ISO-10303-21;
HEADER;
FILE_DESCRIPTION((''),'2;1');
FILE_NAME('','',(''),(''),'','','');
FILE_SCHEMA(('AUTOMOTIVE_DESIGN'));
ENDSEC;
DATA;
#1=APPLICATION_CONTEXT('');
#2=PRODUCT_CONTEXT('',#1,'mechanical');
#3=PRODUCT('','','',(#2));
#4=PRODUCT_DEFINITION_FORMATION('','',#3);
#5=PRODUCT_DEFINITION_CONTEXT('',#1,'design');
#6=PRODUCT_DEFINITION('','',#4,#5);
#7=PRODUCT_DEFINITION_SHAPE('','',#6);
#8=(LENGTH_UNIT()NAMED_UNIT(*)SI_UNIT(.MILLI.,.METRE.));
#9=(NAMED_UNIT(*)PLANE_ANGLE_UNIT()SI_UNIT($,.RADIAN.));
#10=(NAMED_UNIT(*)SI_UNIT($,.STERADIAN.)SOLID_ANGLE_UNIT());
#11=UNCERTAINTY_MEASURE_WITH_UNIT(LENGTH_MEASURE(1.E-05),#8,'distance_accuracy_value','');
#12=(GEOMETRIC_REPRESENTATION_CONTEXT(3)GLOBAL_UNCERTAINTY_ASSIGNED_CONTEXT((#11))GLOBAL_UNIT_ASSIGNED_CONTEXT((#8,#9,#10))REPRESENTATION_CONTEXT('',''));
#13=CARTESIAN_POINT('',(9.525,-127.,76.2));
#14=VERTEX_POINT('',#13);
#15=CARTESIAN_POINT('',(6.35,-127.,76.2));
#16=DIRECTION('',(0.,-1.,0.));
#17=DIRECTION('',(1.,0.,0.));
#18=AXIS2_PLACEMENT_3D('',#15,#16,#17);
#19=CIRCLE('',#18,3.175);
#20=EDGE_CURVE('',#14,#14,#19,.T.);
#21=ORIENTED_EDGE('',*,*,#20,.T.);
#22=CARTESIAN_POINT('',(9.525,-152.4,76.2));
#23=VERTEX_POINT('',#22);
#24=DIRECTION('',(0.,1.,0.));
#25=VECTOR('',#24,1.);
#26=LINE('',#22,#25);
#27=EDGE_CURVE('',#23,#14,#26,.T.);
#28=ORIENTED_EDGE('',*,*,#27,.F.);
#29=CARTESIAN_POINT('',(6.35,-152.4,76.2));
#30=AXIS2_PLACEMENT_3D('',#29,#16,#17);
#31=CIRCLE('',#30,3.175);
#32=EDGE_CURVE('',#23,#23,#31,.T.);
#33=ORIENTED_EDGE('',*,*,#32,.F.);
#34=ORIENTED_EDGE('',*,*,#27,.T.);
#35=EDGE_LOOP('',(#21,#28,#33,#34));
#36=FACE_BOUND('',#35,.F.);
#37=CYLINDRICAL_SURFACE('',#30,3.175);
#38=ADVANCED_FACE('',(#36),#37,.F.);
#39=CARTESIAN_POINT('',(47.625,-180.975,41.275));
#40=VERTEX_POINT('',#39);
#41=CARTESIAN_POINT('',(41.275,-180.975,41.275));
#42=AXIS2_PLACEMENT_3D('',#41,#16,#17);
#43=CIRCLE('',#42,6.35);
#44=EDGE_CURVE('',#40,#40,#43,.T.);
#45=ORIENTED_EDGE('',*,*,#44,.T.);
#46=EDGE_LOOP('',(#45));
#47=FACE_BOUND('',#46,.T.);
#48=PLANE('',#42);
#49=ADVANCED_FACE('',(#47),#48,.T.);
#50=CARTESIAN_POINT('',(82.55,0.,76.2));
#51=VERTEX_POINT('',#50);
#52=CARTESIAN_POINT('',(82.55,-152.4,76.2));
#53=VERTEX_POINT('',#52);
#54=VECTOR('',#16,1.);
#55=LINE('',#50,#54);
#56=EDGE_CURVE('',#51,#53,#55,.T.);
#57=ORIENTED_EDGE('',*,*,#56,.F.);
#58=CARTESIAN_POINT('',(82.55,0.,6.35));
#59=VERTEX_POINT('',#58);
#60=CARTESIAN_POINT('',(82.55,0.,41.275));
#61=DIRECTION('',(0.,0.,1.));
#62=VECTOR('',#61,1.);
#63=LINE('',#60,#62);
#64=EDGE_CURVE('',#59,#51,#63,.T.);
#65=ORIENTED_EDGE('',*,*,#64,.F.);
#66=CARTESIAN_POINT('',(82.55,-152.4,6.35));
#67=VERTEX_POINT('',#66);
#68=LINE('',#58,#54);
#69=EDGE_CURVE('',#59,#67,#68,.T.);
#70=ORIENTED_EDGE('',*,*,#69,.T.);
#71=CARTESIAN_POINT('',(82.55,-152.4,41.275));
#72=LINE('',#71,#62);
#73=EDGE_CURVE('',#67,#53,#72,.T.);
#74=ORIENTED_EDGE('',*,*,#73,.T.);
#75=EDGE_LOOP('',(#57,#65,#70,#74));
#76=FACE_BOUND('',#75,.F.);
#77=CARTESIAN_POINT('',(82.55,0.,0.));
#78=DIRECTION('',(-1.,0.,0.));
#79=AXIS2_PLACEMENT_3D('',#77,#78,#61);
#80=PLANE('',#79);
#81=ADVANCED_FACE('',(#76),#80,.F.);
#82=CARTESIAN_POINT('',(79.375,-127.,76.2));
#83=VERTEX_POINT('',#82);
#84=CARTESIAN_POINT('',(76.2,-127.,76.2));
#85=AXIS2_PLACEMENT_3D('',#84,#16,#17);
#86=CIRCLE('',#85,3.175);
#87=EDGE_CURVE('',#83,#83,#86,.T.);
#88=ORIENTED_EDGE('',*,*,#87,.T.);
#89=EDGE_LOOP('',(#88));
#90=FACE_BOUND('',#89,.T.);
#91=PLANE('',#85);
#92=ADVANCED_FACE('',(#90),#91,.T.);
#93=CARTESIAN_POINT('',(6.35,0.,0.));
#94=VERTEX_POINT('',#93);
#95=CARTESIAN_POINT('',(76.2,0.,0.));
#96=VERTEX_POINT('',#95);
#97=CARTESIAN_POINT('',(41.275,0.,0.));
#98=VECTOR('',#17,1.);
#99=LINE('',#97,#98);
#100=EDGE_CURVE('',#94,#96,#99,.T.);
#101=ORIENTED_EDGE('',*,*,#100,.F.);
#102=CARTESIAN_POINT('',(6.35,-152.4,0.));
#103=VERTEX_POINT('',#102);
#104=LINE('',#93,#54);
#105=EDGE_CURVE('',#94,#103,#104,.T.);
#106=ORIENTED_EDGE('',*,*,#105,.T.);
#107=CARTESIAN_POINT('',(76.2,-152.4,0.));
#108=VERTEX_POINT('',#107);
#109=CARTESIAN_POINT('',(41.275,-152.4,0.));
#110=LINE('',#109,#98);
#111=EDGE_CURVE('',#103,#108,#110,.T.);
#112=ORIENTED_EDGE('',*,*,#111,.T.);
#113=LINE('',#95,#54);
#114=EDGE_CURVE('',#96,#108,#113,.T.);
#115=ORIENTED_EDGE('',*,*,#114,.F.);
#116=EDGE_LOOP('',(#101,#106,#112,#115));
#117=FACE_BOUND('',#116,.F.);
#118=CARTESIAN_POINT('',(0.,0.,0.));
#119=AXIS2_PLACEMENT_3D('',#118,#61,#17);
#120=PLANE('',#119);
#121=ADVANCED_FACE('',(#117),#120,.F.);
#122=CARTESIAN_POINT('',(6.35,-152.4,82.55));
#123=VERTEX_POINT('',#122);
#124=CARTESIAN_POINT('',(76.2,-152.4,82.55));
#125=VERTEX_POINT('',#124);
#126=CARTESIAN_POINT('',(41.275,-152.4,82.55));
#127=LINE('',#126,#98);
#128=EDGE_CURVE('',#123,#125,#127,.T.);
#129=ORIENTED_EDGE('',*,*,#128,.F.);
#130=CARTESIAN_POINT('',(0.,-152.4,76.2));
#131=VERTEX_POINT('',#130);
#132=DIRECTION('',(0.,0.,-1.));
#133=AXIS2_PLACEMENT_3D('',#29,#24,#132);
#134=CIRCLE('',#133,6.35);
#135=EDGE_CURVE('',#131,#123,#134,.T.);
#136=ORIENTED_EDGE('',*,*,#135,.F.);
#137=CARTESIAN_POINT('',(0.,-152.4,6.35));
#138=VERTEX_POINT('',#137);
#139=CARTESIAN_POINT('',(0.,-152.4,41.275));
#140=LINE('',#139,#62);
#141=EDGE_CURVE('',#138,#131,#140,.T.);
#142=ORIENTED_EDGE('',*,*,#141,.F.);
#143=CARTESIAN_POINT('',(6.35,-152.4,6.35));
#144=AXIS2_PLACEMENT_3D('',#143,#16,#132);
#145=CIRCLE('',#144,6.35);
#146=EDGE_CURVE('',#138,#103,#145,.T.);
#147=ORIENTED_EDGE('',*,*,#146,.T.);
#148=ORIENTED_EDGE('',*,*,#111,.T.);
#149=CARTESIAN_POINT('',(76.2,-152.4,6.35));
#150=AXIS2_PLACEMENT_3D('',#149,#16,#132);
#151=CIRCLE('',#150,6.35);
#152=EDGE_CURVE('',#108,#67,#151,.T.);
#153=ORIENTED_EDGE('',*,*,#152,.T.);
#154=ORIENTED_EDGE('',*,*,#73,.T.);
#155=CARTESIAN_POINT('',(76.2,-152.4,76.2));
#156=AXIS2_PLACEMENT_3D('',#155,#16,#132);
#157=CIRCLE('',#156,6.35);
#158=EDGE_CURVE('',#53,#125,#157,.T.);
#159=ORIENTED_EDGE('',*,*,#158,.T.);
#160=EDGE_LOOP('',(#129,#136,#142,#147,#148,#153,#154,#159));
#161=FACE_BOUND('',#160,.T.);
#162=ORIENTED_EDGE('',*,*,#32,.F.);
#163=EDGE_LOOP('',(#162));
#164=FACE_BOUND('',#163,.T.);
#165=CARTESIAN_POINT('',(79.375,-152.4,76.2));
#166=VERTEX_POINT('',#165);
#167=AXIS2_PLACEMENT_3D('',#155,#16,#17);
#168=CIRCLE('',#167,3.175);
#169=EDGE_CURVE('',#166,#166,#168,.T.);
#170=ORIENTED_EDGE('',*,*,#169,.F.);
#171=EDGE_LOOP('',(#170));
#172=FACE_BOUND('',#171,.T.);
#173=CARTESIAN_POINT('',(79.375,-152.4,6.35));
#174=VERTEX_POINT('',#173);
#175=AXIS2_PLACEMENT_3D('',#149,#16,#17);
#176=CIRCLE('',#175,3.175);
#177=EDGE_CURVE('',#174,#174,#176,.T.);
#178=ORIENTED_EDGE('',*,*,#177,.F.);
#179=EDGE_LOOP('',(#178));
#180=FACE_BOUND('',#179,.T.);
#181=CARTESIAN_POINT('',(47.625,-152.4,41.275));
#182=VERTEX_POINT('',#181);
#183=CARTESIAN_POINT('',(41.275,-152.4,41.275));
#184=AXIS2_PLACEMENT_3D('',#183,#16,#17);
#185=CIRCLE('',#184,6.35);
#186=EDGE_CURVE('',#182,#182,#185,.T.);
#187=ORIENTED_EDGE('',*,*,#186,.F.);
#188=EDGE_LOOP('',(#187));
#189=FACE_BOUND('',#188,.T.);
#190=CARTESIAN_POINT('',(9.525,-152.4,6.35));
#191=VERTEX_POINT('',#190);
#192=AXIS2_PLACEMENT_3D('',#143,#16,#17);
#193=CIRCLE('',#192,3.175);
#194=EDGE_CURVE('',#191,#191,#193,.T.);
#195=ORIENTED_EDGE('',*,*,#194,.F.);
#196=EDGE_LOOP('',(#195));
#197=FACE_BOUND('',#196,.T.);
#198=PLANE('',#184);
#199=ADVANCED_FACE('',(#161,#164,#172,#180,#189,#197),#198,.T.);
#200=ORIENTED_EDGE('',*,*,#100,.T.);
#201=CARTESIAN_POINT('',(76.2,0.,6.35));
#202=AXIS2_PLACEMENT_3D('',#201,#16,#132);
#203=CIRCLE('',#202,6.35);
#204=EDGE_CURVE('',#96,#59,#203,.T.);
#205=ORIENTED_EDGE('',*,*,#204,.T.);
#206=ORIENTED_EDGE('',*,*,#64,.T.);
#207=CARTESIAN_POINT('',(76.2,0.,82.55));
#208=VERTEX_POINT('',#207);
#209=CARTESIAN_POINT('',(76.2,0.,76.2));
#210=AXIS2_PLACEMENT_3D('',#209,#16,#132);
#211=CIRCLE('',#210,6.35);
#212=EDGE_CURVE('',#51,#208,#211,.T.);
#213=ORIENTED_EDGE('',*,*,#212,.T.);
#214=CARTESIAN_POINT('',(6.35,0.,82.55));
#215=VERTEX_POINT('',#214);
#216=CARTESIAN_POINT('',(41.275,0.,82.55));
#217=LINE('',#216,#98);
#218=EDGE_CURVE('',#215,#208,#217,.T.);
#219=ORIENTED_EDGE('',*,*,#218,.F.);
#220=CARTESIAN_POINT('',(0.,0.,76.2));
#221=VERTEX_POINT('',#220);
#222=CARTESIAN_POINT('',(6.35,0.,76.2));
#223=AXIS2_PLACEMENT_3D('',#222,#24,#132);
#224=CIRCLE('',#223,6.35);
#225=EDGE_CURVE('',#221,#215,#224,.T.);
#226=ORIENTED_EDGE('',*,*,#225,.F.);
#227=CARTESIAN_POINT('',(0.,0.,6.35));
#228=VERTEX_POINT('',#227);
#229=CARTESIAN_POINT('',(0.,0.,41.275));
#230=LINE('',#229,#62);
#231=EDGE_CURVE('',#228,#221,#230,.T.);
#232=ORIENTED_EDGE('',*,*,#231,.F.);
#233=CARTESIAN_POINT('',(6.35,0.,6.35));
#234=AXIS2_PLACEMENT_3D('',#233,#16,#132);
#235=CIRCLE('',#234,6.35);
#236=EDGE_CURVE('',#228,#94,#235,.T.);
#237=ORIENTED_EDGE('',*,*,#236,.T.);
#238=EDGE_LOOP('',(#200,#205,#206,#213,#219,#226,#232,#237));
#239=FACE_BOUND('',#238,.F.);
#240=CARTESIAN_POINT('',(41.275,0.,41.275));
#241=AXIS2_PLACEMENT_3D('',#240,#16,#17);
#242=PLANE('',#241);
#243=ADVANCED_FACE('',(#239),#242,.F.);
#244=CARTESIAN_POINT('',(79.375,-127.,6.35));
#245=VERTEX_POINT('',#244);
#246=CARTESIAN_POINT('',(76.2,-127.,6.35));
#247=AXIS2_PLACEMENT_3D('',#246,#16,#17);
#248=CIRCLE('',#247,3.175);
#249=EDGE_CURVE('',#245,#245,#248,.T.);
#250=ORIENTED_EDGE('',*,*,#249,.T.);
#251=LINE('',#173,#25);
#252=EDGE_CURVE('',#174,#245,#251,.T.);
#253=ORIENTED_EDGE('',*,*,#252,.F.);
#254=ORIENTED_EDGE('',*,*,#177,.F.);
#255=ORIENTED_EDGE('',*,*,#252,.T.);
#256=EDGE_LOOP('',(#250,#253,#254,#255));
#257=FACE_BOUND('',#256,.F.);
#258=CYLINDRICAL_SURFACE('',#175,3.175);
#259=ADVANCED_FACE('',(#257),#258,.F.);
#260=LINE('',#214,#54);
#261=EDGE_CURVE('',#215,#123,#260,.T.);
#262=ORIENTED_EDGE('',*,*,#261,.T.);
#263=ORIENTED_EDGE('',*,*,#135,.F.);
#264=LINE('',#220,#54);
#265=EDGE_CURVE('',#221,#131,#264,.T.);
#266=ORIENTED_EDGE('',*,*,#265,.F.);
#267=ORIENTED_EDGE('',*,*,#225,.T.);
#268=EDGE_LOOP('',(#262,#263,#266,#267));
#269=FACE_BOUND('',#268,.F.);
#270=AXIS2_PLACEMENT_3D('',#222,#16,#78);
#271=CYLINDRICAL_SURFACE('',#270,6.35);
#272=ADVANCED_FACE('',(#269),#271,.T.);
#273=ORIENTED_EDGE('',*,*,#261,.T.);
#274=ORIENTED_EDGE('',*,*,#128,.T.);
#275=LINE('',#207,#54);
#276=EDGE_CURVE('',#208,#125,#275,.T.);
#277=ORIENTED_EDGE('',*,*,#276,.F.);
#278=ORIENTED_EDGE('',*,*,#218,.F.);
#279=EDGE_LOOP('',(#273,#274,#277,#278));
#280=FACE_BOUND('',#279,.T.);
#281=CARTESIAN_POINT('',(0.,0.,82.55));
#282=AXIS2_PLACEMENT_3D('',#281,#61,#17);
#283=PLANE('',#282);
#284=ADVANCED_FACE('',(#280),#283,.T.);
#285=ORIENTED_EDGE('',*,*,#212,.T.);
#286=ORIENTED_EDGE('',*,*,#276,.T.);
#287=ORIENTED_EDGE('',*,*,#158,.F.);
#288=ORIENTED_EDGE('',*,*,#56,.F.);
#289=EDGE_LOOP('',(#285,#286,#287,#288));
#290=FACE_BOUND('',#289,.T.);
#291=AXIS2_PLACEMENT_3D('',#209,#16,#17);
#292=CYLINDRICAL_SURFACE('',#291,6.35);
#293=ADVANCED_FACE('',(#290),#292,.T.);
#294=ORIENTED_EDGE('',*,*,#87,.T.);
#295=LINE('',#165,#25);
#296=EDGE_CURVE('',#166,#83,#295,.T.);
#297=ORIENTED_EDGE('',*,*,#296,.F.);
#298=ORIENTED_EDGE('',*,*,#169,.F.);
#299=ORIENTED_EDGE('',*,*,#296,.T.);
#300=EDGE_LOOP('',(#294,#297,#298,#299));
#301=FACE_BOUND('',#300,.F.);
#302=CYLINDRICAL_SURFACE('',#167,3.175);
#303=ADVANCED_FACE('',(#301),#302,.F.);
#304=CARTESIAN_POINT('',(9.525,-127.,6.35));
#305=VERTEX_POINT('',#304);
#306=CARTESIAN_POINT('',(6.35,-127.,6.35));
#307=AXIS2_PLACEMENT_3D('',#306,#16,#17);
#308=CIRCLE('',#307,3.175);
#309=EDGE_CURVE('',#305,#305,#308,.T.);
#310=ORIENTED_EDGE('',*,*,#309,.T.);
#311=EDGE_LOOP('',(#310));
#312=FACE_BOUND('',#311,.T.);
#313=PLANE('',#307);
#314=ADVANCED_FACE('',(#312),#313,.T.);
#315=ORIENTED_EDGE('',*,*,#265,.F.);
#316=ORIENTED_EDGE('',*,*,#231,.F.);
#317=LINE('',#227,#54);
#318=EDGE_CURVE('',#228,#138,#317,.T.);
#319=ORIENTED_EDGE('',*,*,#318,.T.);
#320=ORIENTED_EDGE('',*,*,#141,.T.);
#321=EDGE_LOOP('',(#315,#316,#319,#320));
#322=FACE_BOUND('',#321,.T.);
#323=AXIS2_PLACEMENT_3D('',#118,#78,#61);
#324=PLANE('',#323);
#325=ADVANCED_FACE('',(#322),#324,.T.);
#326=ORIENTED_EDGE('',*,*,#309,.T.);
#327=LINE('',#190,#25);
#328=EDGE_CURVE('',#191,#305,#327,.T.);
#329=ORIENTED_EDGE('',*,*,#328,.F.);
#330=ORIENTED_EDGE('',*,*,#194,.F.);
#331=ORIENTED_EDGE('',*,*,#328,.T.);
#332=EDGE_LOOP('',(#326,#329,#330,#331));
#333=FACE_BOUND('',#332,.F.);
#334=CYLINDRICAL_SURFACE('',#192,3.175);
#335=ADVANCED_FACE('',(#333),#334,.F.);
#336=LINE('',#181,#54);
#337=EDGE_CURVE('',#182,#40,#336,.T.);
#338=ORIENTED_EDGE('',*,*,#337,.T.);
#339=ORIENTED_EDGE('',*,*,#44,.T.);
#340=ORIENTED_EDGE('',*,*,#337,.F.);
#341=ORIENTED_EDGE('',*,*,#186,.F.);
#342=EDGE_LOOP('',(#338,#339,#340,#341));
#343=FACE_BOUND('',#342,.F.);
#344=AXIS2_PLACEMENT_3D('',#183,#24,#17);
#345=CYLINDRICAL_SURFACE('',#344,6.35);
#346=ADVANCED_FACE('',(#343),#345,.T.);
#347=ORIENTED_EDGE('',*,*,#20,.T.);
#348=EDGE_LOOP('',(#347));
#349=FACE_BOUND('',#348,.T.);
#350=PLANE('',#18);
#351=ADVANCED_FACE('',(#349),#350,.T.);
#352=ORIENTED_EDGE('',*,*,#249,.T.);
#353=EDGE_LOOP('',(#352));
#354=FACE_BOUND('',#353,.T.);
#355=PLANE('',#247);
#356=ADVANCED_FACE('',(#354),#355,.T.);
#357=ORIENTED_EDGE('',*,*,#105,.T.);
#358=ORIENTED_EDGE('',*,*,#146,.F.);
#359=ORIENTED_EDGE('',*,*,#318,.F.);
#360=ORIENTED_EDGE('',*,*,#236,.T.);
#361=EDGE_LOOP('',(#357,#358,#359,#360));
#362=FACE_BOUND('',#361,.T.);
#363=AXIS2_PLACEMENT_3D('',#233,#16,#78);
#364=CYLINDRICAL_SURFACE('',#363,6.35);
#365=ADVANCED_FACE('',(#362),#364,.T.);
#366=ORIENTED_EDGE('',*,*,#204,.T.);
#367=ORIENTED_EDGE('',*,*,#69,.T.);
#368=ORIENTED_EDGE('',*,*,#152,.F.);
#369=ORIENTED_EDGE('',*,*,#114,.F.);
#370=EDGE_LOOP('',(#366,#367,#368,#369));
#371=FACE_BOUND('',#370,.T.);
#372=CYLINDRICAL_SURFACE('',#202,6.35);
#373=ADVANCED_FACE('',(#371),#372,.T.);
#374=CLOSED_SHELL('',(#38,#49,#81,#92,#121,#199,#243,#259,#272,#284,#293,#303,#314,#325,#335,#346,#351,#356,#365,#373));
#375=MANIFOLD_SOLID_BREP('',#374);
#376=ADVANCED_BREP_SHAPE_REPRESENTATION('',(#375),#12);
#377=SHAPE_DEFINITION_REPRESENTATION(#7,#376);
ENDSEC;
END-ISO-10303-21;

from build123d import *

# Parameters (mm, degrees)
F0_W     = 82.55
F0_H     = 82.55
F1_DEPTH = 152.4
F2_R     = 6.35
F3_R     = 6.35
F4_DEPTH = 28.575
F5_R     = 3.175
F6_DEPTH = 25.4


with BuildPart() as f1:
    # F0 (on Front) → F1 (new body)
    with BuildSketch(Plane.XZ):
        with Locations((41.275, 41.275)):
            Rectangle(F0_W, F0_H)
    extrude(amount=F1_DEPTH)

    # F2
    f2_edges = [f1.edges().sort_by_distance(p)[0] for p in [
        (0, -76.2, 82.55),
        (0, -76.2, 0),
        (82.55, -76.2, 82.55),
        (82.55, -76.2, 0),
    ]]
    fillet(f2_edges, radius=F2_R)

    # F3 (on face) → F4 (join)
    with BuildSketch(Plane.XZ.offset(152.4)):
        with Locations((41.275, 41.275)):
            Circle(F3_R)
    extrude(amount=F4_DEPTH)

    # F5 (on face) → F6 (cut)
    with BuildSketch(Plane.XZ.offset(152.4)):
        with Locations((6.35, 76.2)):
            Circle(F5_R)
        with Locations((6.35, 6.35)):
            Circle(F5_R)
        with Locations((76.2, 76.2)):
            Circle(F5_R)
        with Locations((76.2, 6.35)):
            Circle(F5_R)
    extrude(amount=-F6_DEPTH, mode=Mode.SUBTRACT)


solid = f1.part
